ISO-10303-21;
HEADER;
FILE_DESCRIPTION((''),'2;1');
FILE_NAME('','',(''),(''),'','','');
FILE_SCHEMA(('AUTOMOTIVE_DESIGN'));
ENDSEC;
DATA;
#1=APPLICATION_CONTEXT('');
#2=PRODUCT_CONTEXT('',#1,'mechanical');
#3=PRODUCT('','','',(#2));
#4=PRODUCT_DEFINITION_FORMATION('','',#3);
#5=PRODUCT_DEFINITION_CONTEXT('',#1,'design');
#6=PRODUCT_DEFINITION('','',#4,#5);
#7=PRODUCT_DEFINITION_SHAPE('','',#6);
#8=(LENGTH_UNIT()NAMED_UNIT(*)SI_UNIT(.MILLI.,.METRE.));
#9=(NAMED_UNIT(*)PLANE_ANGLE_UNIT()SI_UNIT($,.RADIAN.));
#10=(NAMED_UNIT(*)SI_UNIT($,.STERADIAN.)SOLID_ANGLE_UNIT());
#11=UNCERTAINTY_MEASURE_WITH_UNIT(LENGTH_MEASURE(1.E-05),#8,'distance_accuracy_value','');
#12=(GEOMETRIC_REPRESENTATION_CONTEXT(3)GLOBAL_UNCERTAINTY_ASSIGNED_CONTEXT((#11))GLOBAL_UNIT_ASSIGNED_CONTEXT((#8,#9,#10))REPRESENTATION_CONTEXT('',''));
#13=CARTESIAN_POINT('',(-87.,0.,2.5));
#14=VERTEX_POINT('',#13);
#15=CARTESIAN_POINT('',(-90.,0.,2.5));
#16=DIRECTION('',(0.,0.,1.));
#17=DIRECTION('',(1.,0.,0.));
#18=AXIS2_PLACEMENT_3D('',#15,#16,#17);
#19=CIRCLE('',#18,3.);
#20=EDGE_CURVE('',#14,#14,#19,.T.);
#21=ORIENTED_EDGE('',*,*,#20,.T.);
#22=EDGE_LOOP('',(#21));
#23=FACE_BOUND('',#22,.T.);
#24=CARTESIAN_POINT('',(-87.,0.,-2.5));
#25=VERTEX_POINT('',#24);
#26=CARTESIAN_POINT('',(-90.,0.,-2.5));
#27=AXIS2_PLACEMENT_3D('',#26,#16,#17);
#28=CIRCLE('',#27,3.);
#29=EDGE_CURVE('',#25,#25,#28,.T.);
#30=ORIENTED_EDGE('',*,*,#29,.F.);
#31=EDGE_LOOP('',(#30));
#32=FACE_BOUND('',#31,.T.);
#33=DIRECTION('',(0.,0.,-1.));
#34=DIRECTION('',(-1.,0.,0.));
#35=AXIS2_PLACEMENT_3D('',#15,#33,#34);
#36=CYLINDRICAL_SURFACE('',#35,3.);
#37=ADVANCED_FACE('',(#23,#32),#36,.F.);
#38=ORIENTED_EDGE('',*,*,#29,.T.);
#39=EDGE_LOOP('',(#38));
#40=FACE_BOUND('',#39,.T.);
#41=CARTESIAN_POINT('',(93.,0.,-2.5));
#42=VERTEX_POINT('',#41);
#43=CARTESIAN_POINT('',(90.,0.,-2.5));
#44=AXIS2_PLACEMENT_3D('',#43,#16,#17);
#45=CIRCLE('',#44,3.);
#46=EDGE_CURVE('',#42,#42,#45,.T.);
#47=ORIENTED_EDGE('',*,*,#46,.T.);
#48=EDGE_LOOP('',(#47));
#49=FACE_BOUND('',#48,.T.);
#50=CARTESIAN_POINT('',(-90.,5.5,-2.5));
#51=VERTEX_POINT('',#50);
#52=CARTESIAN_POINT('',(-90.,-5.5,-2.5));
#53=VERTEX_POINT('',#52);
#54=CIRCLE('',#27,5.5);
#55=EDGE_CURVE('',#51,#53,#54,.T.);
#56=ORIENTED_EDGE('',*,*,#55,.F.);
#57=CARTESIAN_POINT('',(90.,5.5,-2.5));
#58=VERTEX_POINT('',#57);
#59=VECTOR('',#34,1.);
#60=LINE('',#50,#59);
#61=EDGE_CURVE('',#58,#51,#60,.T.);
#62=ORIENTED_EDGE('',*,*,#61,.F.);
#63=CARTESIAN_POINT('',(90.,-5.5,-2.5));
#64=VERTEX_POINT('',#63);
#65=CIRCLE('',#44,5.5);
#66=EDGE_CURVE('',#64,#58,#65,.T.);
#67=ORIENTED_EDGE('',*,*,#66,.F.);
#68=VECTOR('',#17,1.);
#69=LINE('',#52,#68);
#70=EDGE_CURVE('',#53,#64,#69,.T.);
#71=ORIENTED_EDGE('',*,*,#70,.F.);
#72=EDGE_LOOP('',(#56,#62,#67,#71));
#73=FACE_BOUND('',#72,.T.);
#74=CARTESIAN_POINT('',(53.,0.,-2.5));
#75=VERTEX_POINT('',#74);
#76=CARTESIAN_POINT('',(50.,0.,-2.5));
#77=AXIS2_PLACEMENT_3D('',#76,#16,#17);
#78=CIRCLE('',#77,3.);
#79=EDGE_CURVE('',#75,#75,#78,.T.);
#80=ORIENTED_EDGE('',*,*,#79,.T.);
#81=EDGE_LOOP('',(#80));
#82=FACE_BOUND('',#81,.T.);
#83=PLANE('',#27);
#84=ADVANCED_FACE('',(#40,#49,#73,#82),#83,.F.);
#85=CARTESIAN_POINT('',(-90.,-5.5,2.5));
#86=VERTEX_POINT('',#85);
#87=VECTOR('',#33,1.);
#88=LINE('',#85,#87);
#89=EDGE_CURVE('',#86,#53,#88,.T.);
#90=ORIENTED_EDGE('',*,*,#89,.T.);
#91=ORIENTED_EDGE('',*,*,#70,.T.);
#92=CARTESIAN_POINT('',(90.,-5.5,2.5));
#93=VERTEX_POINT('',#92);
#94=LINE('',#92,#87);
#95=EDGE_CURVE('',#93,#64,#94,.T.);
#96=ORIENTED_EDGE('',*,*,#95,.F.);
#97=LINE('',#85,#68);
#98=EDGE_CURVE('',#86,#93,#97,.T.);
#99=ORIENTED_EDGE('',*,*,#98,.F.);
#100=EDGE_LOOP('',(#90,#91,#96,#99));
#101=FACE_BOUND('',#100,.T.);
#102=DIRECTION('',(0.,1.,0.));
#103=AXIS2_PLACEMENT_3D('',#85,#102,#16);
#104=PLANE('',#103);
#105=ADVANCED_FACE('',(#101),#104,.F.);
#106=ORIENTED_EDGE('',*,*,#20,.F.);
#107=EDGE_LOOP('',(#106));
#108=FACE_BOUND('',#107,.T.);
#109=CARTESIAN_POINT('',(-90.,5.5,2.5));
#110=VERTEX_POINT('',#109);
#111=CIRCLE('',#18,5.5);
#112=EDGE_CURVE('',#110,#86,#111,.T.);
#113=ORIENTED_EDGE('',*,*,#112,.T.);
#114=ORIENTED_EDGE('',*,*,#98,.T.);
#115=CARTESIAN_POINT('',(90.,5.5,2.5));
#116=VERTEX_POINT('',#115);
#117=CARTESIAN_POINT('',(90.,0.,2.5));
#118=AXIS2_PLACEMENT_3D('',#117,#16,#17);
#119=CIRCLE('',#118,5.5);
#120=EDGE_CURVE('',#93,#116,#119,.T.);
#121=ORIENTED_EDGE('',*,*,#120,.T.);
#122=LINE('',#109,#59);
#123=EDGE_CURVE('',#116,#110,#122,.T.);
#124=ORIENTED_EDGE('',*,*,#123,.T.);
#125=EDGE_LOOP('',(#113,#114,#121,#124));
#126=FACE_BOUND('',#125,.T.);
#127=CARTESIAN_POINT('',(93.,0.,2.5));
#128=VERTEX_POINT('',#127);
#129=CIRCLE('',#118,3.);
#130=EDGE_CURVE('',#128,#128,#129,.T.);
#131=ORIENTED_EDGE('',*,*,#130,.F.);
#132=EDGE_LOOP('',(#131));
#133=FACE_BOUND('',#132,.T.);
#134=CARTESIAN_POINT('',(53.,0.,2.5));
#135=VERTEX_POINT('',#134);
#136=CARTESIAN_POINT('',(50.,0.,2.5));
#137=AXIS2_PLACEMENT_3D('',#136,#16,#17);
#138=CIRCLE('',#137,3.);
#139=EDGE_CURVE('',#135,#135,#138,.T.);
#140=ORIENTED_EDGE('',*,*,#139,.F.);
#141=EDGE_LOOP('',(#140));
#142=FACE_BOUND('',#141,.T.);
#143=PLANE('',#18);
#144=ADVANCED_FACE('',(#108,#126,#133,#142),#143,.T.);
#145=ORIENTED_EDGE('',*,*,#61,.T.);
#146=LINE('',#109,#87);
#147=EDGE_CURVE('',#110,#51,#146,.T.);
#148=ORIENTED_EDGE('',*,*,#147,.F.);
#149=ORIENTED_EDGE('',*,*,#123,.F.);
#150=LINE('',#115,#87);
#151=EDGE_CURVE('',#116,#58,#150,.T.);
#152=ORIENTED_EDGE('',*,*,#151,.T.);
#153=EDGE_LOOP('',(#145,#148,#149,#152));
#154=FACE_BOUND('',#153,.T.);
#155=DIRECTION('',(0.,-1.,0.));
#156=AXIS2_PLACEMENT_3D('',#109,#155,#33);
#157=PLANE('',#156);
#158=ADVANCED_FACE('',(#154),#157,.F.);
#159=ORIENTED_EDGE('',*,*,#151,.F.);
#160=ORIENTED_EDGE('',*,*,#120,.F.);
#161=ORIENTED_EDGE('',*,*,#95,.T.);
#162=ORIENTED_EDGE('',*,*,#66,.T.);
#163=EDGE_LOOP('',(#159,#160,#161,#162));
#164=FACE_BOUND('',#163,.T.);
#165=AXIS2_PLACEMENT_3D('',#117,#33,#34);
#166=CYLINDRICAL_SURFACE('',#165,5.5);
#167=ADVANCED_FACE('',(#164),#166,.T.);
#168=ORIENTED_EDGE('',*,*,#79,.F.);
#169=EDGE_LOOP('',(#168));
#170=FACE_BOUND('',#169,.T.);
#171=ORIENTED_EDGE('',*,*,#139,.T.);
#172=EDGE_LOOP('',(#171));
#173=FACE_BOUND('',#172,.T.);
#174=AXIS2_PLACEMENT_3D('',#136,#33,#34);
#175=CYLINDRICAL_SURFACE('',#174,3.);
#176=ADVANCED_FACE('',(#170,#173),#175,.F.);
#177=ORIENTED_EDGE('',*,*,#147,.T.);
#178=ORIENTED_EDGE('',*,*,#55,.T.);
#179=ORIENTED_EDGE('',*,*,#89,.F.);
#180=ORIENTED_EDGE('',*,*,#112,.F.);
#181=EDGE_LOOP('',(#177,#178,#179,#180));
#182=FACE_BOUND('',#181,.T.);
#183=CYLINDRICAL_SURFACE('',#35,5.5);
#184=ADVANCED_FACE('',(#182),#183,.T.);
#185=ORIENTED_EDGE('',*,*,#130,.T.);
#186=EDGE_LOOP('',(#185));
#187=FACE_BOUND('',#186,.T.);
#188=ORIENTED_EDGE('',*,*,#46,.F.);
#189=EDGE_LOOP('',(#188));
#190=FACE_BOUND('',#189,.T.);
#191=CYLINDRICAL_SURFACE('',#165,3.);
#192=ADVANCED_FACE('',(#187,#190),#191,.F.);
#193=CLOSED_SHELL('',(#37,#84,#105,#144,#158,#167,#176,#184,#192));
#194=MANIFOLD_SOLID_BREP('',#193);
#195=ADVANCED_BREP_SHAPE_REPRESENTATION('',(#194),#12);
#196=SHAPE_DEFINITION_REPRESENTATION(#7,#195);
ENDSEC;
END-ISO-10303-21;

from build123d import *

# Parameters (mm, degrees)
SKETCH1_R           = 3
BOSS_EXTRUDE1_DEPTH = 2.5


with BuildPart() as part:
    # Sketch1 → Boss-Extrude1 (new body, symmetric)
    with BuildSketch(Plane.XY):
        with BuildLine():
            Line((-90, 5.5), (90, 5.5))
            ThreePointArc((90, 5.5), (95.5, 0), (90, -5.5))
            Line((90, -5.5), (-90, -5.5))
            ThreePointArc((-90, -5.5), (-95.5, 0), (-90, 5.5))
        make_face()
        with Locations((-90, 0)):
            Circle(SKETCH1_R, mode=Mode.SUBTRACT)
        with Locations((90, 0)):
            Circle(SKETCH1_R, mode=Mode.SUBTRACT)
        with Locations((50, 0)):
            Circle(SKETCH1_R, mode=Mode.SUBTRACT)
    extrude(amount=BOSS_EXTRUDE1_DEPTH, both=True)


solid = part.part
